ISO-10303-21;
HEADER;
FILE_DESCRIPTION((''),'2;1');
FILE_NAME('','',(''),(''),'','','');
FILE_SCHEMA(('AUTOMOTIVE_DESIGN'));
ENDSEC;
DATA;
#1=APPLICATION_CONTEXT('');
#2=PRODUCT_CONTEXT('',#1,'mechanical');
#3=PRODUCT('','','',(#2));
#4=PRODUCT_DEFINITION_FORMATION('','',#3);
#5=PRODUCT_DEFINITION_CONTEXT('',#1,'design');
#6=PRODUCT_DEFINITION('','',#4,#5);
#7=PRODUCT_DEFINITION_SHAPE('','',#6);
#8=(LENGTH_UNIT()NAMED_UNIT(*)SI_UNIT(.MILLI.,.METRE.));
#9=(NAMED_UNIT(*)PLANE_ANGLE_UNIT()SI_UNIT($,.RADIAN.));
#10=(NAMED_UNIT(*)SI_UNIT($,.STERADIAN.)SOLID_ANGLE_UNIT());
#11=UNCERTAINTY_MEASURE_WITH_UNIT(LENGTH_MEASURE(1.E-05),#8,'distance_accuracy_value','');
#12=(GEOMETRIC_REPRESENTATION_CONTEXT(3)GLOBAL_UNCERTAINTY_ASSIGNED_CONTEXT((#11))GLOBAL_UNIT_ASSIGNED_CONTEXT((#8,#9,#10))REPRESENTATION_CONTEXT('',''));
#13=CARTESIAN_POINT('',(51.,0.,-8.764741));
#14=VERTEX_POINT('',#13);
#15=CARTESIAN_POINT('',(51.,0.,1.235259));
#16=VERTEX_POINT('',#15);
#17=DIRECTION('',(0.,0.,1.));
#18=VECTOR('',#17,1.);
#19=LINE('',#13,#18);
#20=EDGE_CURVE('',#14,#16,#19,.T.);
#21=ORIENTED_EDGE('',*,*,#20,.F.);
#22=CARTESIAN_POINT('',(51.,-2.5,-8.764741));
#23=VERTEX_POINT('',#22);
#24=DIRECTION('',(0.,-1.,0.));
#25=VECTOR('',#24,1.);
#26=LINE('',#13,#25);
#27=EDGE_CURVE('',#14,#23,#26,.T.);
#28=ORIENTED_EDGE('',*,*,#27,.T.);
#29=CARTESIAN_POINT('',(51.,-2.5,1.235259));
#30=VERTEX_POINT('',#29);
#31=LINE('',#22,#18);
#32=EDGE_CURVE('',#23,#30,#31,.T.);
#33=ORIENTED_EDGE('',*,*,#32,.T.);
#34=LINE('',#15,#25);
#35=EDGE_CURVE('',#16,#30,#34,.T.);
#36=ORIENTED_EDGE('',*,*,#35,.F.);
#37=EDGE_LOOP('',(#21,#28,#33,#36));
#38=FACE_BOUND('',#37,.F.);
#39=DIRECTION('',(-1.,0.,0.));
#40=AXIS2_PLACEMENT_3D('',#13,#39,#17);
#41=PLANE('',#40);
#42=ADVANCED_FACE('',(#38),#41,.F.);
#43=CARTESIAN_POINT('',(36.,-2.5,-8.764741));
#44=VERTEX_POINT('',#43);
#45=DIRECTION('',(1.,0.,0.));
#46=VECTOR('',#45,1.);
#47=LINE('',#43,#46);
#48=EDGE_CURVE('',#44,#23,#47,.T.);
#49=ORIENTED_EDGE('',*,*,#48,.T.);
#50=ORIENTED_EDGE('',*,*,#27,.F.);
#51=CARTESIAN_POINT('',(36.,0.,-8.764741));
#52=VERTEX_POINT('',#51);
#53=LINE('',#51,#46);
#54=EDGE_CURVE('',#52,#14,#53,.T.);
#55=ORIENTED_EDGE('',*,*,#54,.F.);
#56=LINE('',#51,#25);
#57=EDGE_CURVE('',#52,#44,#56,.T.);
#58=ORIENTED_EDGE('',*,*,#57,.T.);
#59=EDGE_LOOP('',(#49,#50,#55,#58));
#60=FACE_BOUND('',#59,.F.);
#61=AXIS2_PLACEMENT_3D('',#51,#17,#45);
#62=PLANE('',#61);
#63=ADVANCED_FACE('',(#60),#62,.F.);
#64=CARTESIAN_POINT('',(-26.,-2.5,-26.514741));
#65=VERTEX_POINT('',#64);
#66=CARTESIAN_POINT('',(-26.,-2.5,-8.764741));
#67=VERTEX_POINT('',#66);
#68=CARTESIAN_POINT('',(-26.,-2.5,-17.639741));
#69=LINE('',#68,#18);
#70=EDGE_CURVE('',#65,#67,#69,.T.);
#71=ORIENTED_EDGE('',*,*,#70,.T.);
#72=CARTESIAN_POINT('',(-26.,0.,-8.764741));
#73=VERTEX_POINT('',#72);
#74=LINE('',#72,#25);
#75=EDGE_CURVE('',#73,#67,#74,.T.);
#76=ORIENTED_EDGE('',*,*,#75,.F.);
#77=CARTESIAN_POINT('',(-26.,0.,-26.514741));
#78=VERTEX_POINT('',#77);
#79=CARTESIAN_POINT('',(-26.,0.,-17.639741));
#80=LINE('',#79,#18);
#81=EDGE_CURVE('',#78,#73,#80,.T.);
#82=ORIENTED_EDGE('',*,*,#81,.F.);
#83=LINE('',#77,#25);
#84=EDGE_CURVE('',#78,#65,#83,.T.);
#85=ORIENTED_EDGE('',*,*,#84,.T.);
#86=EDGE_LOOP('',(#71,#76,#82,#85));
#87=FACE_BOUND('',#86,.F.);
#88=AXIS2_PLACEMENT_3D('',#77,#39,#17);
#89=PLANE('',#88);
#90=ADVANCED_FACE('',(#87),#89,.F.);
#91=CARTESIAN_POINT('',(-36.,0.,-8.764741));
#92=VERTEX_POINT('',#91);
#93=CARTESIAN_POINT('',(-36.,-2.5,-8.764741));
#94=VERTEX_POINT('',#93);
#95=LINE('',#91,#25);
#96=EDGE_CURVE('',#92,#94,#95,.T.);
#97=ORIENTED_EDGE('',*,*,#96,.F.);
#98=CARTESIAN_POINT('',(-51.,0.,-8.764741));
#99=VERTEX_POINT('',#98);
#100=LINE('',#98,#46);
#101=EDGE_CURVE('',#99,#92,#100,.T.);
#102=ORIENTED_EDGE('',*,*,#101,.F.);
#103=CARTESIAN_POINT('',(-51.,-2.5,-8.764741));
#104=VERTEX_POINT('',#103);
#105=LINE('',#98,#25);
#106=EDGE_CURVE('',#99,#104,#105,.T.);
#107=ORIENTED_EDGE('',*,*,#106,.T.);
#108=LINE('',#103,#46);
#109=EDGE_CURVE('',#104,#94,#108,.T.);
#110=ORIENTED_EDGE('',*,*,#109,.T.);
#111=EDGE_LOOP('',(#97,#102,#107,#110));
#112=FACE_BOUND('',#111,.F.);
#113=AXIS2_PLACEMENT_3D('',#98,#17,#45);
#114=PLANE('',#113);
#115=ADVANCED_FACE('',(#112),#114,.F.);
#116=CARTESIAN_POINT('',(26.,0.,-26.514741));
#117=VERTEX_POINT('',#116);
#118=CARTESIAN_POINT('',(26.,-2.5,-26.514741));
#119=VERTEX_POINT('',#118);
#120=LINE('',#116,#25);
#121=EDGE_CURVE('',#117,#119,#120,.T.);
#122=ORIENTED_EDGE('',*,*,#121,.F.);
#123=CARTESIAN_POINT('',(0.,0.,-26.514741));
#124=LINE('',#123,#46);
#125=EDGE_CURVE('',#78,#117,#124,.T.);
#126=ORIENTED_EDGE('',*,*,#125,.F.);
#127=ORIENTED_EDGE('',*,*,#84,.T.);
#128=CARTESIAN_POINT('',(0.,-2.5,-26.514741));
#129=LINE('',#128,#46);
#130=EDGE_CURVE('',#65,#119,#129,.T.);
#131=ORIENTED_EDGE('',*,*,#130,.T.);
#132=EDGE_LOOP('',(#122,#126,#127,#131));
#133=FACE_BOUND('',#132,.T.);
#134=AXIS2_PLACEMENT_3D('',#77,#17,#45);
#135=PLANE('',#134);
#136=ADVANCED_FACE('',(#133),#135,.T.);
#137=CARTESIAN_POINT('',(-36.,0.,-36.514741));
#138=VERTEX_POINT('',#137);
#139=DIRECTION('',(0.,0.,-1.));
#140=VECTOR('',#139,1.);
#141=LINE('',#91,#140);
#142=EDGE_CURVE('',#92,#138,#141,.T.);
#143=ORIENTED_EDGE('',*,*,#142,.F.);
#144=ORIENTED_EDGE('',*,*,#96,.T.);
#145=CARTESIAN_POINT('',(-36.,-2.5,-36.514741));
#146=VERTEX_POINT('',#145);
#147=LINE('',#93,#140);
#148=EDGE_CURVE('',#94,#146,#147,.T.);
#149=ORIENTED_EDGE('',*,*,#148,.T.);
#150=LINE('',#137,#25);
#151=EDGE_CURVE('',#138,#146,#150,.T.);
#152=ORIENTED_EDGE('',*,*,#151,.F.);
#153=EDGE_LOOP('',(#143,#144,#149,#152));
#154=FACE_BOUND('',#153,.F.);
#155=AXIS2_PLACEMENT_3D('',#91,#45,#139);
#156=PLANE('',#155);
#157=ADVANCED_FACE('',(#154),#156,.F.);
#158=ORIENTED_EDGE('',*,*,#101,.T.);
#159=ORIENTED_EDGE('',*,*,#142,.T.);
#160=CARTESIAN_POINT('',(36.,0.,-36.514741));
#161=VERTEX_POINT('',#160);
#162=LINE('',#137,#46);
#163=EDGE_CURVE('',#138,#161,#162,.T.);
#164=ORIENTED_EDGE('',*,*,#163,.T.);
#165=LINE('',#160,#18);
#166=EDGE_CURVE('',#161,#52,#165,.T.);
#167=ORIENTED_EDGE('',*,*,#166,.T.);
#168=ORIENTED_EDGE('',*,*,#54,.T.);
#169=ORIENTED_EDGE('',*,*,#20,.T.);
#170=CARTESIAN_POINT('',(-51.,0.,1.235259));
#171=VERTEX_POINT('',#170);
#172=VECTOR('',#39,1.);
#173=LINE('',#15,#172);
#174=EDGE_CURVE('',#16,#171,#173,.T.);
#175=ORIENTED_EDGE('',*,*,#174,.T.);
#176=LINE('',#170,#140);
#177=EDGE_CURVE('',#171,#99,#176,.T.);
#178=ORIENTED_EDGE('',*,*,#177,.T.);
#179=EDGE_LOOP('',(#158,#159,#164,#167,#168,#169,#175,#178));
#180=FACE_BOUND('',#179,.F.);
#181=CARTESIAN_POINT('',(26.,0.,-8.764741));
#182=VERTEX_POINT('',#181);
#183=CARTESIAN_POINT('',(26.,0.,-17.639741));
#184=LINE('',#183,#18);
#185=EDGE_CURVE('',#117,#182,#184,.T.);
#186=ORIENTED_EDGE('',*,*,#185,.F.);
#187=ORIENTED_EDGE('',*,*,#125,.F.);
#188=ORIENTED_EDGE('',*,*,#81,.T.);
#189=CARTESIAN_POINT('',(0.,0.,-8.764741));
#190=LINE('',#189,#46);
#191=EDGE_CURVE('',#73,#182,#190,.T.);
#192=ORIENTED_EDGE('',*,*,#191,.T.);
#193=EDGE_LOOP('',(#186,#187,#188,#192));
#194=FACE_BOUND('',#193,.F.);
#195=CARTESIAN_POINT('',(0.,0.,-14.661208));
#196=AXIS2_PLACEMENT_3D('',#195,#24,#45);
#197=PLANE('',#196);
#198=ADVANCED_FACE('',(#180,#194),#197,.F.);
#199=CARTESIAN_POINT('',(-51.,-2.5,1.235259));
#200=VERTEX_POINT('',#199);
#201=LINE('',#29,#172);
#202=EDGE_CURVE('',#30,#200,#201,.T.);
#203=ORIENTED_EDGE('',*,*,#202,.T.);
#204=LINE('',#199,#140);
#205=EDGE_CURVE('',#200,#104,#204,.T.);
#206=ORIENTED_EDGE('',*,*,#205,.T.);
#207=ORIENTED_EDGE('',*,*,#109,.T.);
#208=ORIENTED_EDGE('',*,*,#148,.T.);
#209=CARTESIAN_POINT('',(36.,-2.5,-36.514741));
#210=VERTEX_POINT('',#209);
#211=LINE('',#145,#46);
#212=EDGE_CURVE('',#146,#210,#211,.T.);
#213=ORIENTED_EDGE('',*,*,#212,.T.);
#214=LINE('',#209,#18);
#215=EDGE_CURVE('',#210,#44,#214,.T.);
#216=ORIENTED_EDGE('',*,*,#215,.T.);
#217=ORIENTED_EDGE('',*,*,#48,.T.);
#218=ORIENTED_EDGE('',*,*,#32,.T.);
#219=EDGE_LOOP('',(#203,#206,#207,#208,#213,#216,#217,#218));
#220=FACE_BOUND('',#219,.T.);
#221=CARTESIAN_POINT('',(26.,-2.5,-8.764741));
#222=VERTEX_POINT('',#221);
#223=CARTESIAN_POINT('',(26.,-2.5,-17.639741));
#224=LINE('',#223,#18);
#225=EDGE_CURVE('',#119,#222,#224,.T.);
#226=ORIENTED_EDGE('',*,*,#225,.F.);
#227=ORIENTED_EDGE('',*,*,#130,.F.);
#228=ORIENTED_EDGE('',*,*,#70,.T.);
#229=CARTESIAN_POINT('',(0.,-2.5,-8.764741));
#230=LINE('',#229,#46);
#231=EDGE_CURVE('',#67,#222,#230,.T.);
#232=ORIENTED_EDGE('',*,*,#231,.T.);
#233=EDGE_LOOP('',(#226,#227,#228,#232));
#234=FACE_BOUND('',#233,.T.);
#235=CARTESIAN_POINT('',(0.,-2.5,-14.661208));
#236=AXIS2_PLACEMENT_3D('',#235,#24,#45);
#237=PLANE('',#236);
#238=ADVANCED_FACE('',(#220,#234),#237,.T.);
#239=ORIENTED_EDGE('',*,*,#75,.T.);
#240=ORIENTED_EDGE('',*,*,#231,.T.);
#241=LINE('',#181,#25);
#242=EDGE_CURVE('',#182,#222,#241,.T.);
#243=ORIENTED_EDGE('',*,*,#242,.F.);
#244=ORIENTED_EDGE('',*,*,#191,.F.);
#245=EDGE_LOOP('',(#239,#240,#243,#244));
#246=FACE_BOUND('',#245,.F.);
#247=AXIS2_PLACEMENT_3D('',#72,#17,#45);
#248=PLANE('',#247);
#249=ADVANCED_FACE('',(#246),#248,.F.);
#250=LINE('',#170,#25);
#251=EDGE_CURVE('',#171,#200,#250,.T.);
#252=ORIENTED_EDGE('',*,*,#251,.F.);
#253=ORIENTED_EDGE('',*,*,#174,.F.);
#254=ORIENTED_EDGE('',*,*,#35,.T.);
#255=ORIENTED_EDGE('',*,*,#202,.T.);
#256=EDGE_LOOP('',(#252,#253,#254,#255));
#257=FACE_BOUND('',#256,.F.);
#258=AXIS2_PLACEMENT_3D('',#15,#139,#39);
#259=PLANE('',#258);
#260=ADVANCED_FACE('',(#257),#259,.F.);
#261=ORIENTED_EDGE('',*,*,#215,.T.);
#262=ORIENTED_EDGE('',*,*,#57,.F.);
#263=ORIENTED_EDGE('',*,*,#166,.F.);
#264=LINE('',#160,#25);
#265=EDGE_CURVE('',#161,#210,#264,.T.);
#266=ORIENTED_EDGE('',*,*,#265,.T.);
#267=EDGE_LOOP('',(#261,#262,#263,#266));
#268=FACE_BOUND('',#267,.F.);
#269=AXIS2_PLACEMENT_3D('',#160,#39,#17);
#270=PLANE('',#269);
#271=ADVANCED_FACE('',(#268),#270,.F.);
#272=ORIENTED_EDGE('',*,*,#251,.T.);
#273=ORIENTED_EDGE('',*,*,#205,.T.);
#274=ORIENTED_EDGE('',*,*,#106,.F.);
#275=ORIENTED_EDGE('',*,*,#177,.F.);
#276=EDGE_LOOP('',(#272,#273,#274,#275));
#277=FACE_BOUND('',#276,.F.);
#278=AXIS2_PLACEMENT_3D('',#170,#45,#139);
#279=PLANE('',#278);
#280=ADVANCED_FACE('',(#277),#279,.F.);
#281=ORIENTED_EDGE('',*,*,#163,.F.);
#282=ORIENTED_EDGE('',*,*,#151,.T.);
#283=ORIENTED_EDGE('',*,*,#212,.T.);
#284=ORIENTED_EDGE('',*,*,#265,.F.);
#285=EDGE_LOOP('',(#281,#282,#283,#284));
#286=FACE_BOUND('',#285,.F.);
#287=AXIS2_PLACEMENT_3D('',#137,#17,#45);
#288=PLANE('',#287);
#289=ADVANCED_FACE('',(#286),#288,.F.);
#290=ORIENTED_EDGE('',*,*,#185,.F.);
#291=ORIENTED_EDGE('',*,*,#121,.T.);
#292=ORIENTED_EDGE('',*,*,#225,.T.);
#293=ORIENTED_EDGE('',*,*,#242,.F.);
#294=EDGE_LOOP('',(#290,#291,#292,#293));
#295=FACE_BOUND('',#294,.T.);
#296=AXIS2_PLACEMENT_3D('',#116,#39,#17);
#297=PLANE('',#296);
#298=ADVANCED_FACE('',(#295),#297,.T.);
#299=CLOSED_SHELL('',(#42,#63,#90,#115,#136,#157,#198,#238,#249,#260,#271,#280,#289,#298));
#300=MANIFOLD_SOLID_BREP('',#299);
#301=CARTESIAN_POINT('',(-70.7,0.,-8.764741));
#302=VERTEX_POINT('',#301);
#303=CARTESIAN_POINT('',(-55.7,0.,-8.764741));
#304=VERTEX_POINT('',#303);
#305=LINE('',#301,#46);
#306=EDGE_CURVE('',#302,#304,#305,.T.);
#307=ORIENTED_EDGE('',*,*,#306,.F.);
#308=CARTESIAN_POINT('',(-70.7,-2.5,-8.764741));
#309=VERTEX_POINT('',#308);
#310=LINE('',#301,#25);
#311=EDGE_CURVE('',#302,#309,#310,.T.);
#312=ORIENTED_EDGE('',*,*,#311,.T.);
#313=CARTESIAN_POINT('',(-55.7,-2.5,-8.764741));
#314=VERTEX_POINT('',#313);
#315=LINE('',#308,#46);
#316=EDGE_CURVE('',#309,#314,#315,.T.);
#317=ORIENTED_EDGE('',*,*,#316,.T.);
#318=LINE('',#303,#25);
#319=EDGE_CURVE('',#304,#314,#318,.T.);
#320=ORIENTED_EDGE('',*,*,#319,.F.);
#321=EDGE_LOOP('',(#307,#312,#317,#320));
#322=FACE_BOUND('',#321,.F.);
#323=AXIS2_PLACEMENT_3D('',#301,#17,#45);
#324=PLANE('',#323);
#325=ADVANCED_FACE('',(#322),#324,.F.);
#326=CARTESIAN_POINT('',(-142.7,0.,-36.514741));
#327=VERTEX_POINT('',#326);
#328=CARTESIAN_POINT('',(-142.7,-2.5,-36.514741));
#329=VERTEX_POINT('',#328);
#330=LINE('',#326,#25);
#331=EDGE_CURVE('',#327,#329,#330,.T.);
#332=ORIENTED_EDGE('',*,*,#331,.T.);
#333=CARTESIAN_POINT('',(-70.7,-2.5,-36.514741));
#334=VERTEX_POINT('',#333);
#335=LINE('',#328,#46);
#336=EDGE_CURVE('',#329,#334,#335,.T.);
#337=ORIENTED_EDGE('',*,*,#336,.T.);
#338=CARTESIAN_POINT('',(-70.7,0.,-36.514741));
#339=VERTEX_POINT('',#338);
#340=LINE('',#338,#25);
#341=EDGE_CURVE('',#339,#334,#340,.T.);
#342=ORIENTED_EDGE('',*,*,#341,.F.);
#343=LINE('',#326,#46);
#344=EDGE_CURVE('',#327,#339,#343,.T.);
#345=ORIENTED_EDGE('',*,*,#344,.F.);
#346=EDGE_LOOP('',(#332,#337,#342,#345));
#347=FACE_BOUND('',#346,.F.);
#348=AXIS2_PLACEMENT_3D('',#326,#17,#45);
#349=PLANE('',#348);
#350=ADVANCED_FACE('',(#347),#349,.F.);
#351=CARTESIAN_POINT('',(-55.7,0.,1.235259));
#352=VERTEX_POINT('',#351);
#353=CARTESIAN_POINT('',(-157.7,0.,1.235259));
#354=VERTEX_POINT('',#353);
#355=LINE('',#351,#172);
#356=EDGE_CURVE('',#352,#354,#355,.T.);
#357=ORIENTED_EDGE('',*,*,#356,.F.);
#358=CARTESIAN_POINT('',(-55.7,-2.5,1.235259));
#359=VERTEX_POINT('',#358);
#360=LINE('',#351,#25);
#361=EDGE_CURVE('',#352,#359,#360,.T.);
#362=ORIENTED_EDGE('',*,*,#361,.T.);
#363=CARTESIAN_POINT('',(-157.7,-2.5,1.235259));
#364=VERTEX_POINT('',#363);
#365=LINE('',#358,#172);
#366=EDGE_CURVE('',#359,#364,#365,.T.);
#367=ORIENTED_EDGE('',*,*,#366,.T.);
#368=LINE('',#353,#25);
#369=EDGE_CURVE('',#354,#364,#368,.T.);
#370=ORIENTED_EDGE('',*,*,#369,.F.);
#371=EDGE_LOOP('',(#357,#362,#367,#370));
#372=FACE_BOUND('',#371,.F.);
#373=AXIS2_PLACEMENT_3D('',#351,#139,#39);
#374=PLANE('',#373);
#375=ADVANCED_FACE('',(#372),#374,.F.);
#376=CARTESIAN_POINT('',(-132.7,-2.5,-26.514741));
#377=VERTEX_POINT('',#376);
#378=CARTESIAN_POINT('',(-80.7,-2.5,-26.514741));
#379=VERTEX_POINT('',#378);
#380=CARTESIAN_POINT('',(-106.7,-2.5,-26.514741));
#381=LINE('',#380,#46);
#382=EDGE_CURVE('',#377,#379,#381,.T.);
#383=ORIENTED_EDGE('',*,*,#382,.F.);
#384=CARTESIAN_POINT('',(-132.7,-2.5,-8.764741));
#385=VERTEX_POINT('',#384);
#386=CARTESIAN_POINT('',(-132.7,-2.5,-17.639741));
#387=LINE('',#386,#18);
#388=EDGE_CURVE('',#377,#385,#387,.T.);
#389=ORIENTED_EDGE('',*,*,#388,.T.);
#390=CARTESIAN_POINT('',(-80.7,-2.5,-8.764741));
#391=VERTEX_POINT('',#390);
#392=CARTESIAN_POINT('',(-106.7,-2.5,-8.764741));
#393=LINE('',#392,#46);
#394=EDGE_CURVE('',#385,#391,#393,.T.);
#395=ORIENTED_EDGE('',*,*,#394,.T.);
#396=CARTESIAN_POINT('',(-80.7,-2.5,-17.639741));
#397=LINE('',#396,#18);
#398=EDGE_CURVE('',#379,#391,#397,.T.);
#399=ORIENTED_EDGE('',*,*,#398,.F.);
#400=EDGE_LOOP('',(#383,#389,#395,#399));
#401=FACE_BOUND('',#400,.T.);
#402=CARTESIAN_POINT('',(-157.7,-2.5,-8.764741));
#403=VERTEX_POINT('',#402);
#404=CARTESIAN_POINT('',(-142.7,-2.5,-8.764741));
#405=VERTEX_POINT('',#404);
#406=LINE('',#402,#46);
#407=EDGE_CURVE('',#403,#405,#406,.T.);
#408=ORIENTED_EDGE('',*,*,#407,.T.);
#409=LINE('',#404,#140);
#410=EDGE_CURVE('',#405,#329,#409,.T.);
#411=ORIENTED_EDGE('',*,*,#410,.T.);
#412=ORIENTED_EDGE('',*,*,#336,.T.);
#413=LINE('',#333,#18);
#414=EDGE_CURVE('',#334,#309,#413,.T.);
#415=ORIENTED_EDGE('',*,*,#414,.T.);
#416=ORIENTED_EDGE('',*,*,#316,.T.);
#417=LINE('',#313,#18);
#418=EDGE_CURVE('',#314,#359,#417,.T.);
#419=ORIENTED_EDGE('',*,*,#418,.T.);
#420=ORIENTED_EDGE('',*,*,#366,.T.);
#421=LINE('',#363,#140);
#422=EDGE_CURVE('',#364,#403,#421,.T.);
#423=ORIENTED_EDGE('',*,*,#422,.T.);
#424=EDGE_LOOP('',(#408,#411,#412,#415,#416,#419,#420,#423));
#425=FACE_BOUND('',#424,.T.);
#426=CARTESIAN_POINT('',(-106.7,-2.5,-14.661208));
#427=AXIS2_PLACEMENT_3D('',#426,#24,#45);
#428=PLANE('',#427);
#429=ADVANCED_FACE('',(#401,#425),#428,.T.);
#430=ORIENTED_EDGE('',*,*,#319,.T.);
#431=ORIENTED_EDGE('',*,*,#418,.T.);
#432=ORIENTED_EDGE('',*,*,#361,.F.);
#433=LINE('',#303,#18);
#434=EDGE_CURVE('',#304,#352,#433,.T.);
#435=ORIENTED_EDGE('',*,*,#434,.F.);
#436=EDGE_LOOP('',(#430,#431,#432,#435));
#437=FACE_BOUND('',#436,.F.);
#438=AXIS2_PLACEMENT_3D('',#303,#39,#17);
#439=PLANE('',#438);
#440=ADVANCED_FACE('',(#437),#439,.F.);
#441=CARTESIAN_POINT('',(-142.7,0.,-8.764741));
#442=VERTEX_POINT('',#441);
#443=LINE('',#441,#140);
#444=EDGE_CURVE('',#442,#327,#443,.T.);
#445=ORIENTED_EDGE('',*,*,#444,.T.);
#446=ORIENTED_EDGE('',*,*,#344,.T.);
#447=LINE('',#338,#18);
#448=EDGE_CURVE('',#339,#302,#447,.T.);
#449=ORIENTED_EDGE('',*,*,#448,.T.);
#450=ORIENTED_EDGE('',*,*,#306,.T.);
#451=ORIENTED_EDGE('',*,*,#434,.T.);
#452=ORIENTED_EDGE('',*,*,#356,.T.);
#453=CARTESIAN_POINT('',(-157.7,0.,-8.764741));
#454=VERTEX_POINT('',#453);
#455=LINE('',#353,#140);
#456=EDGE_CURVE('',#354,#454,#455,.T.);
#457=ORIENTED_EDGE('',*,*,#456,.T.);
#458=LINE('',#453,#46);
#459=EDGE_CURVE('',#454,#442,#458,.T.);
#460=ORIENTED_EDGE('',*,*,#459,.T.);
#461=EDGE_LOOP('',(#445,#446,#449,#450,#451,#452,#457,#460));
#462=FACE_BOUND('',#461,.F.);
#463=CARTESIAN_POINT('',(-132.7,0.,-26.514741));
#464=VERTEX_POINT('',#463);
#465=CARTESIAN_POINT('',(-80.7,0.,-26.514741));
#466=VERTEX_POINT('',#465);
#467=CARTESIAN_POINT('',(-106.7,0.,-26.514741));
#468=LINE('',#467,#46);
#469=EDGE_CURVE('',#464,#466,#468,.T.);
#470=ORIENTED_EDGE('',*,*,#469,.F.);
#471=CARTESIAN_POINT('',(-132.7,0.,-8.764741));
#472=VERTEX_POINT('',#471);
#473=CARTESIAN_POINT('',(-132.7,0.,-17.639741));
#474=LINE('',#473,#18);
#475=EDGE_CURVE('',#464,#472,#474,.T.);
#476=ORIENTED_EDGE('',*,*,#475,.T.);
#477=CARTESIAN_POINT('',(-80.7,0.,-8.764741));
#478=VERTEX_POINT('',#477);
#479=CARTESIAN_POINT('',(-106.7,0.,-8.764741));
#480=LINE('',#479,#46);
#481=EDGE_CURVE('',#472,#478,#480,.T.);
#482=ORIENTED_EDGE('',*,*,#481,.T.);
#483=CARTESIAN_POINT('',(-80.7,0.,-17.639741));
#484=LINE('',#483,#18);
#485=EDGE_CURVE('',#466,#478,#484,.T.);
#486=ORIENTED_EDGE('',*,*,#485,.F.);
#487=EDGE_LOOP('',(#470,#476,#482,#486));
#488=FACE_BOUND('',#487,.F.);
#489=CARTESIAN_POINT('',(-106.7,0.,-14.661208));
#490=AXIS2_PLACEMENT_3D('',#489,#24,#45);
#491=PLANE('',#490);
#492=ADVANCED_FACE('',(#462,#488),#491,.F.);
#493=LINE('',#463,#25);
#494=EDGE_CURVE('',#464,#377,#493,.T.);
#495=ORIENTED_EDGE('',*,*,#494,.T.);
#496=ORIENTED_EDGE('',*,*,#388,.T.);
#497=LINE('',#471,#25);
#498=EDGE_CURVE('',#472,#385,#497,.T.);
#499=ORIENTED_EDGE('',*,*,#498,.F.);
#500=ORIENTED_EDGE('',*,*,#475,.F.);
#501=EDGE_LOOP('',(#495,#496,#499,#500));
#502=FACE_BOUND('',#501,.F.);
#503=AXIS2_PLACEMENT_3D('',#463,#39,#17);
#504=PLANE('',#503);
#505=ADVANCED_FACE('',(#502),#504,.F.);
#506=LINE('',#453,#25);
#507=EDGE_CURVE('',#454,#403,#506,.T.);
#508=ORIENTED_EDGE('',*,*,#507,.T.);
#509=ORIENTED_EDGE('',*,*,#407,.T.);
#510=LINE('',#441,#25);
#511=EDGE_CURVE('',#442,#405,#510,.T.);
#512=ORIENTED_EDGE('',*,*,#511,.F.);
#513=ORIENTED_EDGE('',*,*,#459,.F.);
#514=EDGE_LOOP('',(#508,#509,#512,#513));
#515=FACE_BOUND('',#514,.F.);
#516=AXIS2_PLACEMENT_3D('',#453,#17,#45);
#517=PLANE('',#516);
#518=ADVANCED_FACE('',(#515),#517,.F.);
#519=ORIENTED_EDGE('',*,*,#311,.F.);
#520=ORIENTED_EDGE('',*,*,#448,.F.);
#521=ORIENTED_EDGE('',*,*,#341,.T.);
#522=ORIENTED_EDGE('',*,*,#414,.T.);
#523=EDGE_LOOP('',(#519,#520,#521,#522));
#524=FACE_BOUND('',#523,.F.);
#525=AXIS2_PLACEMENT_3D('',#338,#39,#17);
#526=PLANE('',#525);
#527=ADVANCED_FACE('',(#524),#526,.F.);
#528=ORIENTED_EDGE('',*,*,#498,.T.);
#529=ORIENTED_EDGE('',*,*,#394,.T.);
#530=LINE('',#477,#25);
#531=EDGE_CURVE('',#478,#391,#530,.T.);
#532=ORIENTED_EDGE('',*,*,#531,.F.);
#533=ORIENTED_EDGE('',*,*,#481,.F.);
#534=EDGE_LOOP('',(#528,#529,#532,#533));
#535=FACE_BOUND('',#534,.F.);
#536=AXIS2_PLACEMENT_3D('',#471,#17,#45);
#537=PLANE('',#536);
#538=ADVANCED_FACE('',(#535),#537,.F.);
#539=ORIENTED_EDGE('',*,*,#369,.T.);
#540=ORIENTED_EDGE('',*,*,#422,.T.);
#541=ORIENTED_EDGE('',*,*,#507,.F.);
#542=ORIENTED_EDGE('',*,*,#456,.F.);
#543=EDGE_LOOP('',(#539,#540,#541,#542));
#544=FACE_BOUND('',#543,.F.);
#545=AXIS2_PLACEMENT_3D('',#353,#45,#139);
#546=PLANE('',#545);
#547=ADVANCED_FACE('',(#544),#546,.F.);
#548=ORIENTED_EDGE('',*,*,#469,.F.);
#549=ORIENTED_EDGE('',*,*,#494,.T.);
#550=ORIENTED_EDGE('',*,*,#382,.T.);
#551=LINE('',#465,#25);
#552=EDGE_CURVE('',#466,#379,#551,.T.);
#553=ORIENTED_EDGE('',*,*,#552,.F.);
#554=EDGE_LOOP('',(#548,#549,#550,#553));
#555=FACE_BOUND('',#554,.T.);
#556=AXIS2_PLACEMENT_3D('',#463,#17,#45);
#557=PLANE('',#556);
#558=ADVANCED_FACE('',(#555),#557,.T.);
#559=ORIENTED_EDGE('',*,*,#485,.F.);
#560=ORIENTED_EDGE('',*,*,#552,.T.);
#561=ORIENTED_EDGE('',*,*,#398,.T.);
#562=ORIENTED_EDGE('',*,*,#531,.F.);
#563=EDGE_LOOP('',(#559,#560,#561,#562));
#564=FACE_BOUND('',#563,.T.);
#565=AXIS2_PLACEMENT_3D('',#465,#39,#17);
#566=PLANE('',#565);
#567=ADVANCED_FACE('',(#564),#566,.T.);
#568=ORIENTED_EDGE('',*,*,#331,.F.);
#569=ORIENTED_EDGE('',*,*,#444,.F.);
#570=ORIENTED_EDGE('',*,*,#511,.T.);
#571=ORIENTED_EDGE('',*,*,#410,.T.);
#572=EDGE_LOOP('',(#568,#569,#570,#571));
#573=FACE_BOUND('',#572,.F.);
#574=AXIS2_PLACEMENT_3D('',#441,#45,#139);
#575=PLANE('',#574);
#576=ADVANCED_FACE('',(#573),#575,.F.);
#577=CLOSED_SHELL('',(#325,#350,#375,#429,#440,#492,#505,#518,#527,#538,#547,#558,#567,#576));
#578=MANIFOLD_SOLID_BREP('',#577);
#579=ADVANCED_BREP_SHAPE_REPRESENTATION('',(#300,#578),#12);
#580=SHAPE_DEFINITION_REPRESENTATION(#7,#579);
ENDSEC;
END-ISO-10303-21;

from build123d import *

# Parameters (mm, degrees)
F0_W     = 52
F0_H     = 17.75
F1_DEPTH = 2.5


with BuildPart() as f1:
    # F0 (on Front) → F1 (new body)
    with BuildSketch(Plane.XZ):
        Polygon((-36, -8.764741), (-36, -36.514741), (36, -36.514741), (36, -8.764741), (51, -8.764741), (51, 1.235259), (26, 1.235259), (-26, 1.235259), (-51, 1.235259), (-51, -8.764741), align=None)
        with Locations((0, -17.639741)):
            Rectangle(F0_W, F0_H, mode=Mode.SUBTRACT)
        Polygon((-157.7, -8.764741), (-142.7, -8.764741), (-142.7, -36.514741), (-70.7, -36.514741), (-70.7, -8.764741), (-55.7, -8.764741), (-55.7, 1.235259), (-157.7, 1.235259), align=None)
        with Locations((-106.7, -17.639741)):
            Rectangle(F0_W, F0_H, mode=Mode.SUBTRACT)
    extrude(amount=F1_DEPTH)


solid = f1.part
